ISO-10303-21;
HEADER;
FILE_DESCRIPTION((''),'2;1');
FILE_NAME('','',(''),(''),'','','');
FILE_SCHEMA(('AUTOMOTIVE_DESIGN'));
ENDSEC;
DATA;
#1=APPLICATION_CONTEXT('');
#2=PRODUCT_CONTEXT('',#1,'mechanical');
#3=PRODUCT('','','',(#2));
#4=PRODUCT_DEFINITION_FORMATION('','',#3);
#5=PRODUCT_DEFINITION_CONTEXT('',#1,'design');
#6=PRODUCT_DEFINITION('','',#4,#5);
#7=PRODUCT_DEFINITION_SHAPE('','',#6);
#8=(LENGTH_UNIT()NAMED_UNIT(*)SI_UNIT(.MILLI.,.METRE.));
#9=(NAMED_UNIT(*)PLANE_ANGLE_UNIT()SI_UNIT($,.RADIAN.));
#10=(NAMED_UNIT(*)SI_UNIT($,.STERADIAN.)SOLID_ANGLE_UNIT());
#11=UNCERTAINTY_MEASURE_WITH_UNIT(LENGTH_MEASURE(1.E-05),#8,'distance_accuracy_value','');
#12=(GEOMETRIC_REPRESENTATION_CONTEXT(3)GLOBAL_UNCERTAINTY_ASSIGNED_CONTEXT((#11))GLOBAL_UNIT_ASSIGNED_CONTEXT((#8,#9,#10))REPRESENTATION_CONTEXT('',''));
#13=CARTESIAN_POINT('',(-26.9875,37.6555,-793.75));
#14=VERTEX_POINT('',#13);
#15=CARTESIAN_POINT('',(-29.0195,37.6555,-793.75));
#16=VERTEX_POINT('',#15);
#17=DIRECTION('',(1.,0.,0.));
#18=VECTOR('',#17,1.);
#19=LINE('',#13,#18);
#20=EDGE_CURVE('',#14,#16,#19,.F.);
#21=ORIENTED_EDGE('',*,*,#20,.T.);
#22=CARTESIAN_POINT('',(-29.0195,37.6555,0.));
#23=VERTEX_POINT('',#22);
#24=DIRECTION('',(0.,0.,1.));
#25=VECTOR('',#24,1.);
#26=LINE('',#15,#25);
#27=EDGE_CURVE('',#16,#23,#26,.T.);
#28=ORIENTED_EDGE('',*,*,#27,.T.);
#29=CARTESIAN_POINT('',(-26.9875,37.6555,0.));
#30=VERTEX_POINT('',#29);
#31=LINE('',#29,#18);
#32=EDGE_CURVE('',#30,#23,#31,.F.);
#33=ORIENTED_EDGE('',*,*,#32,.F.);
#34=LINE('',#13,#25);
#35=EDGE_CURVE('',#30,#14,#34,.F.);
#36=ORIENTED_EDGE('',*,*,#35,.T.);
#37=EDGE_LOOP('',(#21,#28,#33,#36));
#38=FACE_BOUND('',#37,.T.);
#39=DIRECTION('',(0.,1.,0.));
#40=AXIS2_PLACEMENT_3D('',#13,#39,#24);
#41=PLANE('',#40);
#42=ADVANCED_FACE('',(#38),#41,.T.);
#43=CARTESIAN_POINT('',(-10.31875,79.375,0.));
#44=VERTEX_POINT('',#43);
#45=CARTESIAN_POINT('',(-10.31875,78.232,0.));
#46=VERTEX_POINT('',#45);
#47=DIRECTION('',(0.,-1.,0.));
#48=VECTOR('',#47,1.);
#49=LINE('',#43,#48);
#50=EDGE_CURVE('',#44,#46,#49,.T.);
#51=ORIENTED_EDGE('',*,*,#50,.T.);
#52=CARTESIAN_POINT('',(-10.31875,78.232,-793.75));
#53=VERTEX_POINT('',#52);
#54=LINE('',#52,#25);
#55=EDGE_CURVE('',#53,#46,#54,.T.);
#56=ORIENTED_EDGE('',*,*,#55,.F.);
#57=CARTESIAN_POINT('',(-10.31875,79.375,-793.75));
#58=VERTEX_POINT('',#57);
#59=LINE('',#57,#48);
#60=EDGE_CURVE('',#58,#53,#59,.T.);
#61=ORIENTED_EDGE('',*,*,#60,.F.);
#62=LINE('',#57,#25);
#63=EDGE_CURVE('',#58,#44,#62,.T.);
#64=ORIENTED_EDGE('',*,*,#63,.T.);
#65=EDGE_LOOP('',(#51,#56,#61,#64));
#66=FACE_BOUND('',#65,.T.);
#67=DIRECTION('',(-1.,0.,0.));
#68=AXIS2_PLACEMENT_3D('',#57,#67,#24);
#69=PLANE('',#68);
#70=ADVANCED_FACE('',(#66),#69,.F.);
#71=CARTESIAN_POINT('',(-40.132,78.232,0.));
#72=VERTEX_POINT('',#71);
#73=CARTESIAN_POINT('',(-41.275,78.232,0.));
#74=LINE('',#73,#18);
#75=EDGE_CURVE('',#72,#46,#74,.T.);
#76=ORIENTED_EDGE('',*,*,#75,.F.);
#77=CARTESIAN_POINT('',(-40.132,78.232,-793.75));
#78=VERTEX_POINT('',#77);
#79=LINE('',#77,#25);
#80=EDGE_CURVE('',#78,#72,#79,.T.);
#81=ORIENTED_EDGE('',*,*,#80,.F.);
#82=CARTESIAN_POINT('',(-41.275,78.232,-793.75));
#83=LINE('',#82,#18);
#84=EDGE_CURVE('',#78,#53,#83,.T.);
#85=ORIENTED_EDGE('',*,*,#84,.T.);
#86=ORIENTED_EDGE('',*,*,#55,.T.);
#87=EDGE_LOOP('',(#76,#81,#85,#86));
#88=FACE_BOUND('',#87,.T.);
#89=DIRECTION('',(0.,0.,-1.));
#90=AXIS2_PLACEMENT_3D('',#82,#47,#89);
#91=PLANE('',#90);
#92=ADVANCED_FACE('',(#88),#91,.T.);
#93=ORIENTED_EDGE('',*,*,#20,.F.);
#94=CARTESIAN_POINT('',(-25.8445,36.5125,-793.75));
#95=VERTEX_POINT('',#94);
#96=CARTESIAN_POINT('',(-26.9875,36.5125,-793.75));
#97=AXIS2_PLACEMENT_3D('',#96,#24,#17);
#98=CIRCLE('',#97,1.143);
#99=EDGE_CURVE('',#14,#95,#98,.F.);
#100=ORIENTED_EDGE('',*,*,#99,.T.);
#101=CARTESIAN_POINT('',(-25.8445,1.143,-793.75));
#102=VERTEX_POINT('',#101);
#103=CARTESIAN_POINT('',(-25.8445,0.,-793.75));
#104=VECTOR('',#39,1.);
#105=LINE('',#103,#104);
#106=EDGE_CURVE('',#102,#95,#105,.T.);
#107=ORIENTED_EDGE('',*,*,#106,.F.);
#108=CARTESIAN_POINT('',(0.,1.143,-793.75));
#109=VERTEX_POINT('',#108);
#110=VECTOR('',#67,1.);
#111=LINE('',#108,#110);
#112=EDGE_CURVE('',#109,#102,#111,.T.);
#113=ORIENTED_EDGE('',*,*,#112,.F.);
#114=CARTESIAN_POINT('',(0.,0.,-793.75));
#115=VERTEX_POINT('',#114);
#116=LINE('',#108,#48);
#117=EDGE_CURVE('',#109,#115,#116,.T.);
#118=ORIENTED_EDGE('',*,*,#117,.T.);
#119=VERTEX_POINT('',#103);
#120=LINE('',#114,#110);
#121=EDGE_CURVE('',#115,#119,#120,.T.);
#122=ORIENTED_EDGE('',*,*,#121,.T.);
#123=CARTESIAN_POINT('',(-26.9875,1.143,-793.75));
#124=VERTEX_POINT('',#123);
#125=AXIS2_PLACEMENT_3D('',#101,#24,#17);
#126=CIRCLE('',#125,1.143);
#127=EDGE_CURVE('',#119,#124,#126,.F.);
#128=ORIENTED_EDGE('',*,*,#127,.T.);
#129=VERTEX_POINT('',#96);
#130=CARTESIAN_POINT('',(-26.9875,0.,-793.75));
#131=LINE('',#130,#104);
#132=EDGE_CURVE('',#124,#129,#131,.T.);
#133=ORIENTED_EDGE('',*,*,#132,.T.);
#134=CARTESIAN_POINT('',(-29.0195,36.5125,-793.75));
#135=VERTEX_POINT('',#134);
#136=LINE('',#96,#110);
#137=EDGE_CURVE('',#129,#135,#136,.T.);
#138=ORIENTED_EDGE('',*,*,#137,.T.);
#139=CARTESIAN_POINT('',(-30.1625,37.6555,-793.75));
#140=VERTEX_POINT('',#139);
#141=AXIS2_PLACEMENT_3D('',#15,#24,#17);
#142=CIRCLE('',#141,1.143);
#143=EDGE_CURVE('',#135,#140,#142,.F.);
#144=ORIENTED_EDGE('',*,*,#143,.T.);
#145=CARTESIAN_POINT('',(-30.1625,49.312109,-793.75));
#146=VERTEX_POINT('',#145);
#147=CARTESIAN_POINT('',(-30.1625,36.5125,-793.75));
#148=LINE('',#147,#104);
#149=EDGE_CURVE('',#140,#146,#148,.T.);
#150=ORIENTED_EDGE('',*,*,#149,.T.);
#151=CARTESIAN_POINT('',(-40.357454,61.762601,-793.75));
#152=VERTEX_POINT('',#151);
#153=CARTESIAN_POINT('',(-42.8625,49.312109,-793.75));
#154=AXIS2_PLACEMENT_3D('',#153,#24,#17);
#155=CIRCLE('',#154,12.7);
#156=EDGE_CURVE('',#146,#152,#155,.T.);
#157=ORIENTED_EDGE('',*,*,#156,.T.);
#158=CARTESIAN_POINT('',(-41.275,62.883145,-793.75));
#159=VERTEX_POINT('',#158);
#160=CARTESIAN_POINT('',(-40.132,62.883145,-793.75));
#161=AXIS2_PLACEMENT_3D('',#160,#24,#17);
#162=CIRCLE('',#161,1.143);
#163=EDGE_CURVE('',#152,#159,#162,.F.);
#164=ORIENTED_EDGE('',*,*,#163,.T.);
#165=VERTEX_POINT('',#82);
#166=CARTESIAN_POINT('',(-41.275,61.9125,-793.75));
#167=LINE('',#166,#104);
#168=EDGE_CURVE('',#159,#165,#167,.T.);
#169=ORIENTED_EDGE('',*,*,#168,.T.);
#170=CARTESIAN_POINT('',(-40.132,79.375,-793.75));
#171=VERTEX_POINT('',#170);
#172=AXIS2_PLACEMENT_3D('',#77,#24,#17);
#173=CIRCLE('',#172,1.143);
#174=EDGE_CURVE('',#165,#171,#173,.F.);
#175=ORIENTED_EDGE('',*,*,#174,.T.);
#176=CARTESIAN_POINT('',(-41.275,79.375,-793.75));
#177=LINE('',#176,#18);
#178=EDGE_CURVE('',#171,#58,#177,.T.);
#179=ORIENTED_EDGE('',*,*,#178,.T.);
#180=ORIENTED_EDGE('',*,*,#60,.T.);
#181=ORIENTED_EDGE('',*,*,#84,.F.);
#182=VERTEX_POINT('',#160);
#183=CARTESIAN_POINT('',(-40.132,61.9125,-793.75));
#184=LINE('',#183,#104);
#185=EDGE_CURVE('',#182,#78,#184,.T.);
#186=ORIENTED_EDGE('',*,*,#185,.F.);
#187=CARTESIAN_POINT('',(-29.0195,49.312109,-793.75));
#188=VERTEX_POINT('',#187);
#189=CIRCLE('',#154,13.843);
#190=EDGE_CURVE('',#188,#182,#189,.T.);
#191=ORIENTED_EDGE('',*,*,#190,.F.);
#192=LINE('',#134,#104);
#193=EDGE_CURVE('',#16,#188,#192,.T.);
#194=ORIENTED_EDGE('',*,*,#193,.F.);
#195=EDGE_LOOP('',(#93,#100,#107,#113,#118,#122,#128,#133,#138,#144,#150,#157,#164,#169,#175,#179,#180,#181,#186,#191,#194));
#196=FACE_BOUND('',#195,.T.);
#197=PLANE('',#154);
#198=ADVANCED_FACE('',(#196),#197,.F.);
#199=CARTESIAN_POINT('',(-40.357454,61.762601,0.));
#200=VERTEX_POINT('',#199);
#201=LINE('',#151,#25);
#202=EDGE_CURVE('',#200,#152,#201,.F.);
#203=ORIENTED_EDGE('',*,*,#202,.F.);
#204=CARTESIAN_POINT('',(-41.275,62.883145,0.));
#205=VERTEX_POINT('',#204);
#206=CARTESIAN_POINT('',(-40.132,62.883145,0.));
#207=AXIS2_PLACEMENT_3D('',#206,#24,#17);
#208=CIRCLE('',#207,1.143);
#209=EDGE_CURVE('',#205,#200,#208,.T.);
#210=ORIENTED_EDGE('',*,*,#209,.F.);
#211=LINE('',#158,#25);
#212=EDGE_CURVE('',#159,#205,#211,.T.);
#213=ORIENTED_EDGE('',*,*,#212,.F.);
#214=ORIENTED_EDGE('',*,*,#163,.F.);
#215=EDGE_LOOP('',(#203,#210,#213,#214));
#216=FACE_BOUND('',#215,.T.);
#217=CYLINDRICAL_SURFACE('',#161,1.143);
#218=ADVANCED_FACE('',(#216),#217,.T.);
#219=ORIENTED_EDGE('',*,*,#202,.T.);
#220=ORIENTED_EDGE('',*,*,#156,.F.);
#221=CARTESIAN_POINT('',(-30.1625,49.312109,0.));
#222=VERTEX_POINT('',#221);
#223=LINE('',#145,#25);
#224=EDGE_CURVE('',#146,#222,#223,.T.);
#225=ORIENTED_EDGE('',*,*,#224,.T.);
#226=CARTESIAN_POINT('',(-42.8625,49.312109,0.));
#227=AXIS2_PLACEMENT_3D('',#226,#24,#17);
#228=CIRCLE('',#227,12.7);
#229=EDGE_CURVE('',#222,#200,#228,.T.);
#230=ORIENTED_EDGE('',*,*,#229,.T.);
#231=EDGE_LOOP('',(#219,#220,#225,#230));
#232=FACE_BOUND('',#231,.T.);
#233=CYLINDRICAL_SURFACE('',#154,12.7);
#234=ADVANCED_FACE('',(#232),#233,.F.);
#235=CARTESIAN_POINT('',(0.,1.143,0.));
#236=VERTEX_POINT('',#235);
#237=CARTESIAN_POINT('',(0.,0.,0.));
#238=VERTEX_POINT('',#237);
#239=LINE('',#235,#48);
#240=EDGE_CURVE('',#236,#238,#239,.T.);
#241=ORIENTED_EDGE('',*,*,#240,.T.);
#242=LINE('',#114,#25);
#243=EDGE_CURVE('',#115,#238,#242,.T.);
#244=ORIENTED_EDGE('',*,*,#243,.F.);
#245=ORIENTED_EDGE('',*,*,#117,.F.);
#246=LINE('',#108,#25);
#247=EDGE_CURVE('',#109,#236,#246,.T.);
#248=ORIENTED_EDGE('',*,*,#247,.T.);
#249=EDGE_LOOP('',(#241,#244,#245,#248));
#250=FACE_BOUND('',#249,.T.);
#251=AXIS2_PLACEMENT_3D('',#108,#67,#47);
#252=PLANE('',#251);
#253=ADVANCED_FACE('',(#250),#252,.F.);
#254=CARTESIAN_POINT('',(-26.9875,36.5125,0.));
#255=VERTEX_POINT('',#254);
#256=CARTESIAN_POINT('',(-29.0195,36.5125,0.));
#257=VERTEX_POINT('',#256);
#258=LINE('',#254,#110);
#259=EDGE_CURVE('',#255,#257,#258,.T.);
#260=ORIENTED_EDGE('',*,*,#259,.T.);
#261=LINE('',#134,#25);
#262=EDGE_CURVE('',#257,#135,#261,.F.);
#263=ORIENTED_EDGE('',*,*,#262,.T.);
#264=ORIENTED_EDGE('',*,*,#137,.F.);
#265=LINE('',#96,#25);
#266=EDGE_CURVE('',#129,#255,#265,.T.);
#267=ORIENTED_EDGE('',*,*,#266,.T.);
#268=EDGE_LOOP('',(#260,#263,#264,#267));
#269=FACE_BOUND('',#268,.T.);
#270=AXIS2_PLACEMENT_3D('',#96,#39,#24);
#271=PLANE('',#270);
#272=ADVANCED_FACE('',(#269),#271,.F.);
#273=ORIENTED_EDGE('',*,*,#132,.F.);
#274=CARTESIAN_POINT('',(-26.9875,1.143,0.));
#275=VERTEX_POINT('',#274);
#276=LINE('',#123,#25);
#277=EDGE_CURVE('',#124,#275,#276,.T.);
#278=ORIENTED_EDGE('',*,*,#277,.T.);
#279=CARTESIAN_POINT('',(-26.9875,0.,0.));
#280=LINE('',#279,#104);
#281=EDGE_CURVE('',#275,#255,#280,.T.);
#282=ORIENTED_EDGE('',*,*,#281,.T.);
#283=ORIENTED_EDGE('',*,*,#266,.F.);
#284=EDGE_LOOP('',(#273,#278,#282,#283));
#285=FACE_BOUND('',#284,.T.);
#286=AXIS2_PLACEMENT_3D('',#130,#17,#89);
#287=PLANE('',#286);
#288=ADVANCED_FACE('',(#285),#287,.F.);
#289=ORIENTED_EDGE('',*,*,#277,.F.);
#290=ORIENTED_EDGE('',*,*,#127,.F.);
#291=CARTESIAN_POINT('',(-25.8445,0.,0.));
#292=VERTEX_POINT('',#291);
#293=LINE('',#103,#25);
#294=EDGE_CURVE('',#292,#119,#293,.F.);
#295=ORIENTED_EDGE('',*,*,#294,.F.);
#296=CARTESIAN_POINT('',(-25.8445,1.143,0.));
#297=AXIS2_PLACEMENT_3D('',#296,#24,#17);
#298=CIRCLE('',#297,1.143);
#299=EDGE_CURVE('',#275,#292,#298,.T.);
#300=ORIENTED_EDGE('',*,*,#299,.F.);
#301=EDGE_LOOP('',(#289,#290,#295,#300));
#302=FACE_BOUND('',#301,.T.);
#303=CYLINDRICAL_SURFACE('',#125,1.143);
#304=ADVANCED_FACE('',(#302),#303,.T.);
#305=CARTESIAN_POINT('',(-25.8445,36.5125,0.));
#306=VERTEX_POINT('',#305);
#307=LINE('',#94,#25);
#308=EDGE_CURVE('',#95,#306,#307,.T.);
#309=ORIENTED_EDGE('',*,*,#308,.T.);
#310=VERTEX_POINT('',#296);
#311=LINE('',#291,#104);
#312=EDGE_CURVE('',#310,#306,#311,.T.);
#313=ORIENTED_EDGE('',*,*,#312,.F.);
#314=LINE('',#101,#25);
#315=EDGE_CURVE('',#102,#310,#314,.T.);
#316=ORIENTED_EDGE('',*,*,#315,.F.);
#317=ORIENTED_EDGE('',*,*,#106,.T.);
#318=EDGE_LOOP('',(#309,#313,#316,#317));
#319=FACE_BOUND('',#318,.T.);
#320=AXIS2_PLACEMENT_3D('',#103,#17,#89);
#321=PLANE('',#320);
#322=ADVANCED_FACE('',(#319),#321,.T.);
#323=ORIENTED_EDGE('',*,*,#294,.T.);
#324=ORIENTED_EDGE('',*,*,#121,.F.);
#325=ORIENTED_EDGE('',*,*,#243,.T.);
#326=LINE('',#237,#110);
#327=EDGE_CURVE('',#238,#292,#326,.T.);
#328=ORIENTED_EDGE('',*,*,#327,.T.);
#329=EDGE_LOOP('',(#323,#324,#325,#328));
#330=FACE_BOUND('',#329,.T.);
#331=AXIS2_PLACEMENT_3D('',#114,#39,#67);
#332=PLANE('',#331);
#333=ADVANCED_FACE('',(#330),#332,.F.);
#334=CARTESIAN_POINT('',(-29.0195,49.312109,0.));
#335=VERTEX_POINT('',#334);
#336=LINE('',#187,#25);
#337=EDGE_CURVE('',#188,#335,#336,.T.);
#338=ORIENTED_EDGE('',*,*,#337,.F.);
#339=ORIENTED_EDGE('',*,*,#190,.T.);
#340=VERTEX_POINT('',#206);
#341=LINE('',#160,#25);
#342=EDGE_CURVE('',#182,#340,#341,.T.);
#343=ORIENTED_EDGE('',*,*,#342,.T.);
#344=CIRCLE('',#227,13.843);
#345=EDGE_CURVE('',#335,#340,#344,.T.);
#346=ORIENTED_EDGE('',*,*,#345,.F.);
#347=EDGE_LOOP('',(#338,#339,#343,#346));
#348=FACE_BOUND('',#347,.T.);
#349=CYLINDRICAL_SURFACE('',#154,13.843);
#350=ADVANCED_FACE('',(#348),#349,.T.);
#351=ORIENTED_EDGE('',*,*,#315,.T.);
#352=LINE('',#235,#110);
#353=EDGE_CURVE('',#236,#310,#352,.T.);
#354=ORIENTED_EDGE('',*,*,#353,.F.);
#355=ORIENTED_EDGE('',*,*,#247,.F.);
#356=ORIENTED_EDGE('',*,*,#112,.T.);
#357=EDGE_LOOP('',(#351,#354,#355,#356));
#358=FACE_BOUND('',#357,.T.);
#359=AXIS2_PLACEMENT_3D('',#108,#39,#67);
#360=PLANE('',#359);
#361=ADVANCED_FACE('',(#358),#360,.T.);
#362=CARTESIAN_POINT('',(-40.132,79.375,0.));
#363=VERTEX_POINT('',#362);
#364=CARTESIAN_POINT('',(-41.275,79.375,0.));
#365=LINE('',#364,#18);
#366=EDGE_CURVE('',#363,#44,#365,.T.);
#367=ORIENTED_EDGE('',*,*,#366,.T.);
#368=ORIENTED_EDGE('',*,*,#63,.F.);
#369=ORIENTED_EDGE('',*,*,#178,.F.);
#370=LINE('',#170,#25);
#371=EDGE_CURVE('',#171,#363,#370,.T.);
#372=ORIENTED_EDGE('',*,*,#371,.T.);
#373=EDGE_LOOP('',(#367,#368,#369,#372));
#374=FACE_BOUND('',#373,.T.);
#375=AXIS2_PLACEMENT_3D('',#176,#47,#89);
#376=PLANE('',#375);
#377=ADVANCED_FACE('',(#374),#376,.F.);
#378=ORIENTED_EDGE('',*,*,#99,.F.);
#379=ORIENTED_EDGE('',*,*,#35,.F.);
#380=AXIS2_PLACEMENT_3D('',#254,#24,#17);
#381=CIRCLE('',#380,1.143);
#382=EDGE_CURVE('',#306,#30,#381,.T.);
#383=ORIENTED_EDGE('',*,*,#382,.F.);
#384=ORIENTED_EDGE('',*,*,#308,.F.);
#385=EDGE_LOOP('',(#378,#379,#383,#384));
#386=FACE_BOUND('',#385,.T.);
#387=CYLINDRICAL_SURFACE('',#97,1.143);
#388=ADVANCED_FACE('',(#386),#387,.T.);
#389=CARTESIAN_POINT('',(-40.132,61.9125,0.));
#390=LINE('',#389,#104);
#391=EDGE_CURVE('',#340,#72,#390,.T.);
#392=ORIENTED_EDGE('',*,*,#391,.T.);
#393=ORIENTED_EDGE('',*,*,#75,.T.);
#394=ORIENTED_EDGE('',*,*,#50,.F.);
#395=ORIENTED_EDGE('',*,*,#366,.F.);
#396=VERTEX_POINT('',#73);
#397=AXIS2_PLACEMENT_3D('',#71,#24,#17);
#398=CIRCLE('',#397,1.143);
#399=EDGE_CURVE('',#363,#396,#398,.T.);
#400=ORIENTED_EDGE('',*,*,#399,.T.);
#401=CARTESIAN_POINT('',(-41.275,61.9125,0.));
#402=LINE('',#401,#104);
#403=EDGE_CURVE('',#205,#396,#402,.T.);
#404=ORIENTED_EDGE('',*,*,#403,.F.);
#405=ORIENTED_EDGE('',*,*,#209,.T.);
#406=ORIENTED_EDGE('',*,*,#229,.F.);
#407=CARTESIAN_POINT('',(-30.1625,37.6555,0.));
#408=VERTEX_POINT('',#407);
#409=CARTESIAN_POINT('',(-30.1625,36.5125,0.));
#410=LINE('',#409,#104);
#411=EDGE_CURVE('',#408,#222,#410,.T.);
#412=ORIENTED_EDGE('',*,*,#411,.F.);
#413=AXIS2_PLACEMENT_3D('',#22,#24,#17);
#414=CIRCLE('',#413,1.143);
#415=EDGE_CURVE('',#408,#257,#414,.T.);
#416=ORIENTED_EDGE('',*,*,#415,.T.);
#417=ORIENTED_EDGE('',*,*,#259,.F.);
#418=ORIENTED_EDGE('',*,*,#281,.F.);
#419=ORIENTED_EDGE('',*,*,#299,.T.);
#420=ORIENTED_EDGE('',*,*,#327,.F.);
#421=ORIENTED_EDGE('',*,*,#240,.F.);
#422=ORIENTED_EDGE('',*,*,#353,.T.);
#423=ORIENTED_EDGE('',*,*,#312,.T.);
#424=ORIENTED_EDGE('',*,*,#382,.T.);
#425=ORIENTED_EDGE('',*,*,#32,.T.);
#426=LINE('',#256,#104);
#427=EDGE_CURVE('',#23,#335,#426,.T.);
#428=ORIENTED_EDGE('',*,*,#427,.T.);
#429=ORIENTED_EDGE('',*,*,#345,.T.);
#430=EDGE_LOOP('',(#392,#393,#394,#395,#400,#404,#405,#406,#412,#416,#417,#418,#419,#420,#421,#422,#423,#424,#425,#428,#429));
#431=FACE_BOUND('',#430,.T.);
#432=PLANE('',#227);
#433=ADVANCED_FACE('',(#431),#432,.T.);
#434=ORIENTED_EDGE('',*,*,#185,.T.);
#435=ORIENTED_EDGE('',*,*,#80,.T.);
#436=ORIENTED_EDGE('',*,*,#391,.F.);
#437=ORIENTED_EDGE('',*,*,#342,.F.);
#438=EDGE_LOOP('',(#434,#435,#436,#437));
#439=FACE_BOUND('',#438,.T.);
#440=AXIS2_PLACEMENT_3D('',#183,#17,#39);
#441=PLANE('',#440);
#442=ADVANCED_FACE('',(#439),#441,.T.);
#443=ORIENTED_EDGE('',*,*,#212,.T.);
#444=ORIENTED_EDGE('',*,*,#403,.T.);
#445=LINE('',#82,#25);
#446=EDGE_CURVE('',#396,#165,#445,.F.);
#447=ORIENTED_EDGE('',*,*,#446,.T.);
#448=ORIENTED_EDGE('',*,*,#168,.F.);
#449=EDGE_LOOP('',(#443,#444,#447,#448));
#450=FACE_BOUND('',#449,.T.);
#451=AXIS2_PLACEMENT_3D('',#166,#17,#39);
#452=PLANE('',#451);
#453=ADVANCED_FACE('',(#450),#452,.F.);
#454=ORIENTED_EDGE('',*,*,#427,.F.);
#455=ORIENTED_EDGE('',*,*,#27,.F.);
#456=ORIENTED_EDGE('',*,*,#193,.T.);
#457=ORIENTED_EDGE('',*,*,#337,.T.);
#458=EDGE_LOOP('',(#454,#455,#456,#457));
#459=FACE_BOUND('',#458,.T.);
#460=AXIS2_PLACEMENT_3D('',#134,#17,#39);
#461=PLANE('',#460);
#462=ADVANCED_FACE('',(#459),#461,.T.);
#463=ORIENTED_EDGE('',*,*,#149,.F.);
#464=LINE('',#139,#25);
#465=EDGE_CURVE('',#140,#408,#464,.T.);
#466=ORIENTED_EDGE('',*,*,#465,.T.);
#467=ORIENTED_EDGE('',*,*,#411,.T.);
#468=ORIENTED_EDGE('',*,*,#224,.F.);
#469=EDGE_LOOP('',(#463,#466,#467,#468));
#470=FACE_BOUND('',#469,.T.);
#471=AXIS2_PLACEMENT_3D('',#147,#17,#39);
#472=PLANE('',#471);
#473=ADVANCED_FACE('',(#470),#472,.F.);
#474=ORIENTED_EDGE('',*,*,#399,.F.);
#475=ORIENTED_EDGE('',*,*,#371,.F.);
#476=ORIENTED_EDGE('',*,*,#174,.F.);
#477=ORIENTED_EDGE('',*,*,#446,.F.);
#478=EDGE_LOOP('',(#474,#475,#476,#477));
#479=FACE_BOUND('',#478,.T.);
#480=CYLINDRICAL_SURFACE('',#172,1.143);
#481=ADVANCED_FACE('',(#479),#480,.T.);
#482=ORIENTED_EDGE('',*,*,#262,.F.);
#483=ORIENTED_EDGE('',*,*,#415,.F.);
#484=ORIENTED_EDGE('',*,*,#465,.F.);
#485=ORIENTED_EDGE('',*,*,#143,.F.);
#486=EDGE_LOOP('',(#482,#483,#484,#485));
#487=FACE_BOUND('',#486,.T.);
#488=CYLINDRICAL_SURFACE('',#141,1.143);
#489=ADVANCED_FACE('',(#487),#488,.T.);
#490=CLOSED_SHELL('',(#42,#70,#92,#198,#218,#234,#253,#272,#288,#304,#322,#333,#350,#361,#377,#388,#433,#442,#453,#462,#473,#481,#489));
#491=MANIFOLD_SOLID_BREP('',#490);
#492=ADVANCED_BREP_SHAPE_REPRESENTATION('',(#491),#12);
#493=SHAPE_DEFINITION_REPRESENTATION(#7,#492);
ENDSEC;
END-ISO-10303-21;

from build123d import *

# Parameters (mm, degrees)
EXTRUDE_THIN1_DEPTH = 793.75
FILLET1_R           = 1.143


with BuildPart() as part:
    # Sketch1 → Extrude-Thin1 (new body)
    with BuildSketch(Plane.XY):
        with BuildLine():
            Line((0, 0), (-26.9875, 0))
            Line((-26.9875, 0), (-26.9875, 36.5125))
            Line((-26.9875, 36.5125), (-30.1625, 36.5125))
            Line((-30.1625, 36.5125), (-30.1625, 49.312109381))
            ThreePointArc((-30.1625, 49.312109381), (-33.3375, 57.712369794), (-41.275, 61.9125))
            Line((-41.275, 61.9125), (-41.275, 79.375))
            Line((-41.275, 79.375), (-10.31875, 79.375))
            Line((-10.31875, 79.375), (-10.31875, 78.232))
            Line((-10.31875, 78.232), (-40.132, 78.232))
            Line((-40.132, 78.232), (-40.132, 62.883145405))
            ThreePointArc((-40.132, 62.883145405), (-32.152062089, 58.082238727), (-29.0195, 49.312109381))
            Line((-29.0195, 49.312109381), (-29.0195, 37.6555))
            Line((-29.0195, 37.6555), (-25.8445, 37.6555))
            Line((-25.8445, 37.6555), (-25.8445, 1.143))
            Line((-25.8445, 1.143), (0, 1.143))
            Line((0, 1.143), (0, 0))
        make_face()
    extrude(amount=-EXTRUDE_THIN1_DEPTH)

    # Fillet1
    fillet1_edges = [part.edges().sort_by_distance(p)[0] for p in [
        (-25.8445, 37.6555, -396.875),
        (-26.9875, 0, -396.875),
        (-30.1625, 36.5125, -396.875),
        (-41.275, 61.9125, -396.875),
        (-41.275, 79.375, -396.875),
    ]]
    fillet(fillet1_edges, radius=FILLET1_R)


solid = part.part
